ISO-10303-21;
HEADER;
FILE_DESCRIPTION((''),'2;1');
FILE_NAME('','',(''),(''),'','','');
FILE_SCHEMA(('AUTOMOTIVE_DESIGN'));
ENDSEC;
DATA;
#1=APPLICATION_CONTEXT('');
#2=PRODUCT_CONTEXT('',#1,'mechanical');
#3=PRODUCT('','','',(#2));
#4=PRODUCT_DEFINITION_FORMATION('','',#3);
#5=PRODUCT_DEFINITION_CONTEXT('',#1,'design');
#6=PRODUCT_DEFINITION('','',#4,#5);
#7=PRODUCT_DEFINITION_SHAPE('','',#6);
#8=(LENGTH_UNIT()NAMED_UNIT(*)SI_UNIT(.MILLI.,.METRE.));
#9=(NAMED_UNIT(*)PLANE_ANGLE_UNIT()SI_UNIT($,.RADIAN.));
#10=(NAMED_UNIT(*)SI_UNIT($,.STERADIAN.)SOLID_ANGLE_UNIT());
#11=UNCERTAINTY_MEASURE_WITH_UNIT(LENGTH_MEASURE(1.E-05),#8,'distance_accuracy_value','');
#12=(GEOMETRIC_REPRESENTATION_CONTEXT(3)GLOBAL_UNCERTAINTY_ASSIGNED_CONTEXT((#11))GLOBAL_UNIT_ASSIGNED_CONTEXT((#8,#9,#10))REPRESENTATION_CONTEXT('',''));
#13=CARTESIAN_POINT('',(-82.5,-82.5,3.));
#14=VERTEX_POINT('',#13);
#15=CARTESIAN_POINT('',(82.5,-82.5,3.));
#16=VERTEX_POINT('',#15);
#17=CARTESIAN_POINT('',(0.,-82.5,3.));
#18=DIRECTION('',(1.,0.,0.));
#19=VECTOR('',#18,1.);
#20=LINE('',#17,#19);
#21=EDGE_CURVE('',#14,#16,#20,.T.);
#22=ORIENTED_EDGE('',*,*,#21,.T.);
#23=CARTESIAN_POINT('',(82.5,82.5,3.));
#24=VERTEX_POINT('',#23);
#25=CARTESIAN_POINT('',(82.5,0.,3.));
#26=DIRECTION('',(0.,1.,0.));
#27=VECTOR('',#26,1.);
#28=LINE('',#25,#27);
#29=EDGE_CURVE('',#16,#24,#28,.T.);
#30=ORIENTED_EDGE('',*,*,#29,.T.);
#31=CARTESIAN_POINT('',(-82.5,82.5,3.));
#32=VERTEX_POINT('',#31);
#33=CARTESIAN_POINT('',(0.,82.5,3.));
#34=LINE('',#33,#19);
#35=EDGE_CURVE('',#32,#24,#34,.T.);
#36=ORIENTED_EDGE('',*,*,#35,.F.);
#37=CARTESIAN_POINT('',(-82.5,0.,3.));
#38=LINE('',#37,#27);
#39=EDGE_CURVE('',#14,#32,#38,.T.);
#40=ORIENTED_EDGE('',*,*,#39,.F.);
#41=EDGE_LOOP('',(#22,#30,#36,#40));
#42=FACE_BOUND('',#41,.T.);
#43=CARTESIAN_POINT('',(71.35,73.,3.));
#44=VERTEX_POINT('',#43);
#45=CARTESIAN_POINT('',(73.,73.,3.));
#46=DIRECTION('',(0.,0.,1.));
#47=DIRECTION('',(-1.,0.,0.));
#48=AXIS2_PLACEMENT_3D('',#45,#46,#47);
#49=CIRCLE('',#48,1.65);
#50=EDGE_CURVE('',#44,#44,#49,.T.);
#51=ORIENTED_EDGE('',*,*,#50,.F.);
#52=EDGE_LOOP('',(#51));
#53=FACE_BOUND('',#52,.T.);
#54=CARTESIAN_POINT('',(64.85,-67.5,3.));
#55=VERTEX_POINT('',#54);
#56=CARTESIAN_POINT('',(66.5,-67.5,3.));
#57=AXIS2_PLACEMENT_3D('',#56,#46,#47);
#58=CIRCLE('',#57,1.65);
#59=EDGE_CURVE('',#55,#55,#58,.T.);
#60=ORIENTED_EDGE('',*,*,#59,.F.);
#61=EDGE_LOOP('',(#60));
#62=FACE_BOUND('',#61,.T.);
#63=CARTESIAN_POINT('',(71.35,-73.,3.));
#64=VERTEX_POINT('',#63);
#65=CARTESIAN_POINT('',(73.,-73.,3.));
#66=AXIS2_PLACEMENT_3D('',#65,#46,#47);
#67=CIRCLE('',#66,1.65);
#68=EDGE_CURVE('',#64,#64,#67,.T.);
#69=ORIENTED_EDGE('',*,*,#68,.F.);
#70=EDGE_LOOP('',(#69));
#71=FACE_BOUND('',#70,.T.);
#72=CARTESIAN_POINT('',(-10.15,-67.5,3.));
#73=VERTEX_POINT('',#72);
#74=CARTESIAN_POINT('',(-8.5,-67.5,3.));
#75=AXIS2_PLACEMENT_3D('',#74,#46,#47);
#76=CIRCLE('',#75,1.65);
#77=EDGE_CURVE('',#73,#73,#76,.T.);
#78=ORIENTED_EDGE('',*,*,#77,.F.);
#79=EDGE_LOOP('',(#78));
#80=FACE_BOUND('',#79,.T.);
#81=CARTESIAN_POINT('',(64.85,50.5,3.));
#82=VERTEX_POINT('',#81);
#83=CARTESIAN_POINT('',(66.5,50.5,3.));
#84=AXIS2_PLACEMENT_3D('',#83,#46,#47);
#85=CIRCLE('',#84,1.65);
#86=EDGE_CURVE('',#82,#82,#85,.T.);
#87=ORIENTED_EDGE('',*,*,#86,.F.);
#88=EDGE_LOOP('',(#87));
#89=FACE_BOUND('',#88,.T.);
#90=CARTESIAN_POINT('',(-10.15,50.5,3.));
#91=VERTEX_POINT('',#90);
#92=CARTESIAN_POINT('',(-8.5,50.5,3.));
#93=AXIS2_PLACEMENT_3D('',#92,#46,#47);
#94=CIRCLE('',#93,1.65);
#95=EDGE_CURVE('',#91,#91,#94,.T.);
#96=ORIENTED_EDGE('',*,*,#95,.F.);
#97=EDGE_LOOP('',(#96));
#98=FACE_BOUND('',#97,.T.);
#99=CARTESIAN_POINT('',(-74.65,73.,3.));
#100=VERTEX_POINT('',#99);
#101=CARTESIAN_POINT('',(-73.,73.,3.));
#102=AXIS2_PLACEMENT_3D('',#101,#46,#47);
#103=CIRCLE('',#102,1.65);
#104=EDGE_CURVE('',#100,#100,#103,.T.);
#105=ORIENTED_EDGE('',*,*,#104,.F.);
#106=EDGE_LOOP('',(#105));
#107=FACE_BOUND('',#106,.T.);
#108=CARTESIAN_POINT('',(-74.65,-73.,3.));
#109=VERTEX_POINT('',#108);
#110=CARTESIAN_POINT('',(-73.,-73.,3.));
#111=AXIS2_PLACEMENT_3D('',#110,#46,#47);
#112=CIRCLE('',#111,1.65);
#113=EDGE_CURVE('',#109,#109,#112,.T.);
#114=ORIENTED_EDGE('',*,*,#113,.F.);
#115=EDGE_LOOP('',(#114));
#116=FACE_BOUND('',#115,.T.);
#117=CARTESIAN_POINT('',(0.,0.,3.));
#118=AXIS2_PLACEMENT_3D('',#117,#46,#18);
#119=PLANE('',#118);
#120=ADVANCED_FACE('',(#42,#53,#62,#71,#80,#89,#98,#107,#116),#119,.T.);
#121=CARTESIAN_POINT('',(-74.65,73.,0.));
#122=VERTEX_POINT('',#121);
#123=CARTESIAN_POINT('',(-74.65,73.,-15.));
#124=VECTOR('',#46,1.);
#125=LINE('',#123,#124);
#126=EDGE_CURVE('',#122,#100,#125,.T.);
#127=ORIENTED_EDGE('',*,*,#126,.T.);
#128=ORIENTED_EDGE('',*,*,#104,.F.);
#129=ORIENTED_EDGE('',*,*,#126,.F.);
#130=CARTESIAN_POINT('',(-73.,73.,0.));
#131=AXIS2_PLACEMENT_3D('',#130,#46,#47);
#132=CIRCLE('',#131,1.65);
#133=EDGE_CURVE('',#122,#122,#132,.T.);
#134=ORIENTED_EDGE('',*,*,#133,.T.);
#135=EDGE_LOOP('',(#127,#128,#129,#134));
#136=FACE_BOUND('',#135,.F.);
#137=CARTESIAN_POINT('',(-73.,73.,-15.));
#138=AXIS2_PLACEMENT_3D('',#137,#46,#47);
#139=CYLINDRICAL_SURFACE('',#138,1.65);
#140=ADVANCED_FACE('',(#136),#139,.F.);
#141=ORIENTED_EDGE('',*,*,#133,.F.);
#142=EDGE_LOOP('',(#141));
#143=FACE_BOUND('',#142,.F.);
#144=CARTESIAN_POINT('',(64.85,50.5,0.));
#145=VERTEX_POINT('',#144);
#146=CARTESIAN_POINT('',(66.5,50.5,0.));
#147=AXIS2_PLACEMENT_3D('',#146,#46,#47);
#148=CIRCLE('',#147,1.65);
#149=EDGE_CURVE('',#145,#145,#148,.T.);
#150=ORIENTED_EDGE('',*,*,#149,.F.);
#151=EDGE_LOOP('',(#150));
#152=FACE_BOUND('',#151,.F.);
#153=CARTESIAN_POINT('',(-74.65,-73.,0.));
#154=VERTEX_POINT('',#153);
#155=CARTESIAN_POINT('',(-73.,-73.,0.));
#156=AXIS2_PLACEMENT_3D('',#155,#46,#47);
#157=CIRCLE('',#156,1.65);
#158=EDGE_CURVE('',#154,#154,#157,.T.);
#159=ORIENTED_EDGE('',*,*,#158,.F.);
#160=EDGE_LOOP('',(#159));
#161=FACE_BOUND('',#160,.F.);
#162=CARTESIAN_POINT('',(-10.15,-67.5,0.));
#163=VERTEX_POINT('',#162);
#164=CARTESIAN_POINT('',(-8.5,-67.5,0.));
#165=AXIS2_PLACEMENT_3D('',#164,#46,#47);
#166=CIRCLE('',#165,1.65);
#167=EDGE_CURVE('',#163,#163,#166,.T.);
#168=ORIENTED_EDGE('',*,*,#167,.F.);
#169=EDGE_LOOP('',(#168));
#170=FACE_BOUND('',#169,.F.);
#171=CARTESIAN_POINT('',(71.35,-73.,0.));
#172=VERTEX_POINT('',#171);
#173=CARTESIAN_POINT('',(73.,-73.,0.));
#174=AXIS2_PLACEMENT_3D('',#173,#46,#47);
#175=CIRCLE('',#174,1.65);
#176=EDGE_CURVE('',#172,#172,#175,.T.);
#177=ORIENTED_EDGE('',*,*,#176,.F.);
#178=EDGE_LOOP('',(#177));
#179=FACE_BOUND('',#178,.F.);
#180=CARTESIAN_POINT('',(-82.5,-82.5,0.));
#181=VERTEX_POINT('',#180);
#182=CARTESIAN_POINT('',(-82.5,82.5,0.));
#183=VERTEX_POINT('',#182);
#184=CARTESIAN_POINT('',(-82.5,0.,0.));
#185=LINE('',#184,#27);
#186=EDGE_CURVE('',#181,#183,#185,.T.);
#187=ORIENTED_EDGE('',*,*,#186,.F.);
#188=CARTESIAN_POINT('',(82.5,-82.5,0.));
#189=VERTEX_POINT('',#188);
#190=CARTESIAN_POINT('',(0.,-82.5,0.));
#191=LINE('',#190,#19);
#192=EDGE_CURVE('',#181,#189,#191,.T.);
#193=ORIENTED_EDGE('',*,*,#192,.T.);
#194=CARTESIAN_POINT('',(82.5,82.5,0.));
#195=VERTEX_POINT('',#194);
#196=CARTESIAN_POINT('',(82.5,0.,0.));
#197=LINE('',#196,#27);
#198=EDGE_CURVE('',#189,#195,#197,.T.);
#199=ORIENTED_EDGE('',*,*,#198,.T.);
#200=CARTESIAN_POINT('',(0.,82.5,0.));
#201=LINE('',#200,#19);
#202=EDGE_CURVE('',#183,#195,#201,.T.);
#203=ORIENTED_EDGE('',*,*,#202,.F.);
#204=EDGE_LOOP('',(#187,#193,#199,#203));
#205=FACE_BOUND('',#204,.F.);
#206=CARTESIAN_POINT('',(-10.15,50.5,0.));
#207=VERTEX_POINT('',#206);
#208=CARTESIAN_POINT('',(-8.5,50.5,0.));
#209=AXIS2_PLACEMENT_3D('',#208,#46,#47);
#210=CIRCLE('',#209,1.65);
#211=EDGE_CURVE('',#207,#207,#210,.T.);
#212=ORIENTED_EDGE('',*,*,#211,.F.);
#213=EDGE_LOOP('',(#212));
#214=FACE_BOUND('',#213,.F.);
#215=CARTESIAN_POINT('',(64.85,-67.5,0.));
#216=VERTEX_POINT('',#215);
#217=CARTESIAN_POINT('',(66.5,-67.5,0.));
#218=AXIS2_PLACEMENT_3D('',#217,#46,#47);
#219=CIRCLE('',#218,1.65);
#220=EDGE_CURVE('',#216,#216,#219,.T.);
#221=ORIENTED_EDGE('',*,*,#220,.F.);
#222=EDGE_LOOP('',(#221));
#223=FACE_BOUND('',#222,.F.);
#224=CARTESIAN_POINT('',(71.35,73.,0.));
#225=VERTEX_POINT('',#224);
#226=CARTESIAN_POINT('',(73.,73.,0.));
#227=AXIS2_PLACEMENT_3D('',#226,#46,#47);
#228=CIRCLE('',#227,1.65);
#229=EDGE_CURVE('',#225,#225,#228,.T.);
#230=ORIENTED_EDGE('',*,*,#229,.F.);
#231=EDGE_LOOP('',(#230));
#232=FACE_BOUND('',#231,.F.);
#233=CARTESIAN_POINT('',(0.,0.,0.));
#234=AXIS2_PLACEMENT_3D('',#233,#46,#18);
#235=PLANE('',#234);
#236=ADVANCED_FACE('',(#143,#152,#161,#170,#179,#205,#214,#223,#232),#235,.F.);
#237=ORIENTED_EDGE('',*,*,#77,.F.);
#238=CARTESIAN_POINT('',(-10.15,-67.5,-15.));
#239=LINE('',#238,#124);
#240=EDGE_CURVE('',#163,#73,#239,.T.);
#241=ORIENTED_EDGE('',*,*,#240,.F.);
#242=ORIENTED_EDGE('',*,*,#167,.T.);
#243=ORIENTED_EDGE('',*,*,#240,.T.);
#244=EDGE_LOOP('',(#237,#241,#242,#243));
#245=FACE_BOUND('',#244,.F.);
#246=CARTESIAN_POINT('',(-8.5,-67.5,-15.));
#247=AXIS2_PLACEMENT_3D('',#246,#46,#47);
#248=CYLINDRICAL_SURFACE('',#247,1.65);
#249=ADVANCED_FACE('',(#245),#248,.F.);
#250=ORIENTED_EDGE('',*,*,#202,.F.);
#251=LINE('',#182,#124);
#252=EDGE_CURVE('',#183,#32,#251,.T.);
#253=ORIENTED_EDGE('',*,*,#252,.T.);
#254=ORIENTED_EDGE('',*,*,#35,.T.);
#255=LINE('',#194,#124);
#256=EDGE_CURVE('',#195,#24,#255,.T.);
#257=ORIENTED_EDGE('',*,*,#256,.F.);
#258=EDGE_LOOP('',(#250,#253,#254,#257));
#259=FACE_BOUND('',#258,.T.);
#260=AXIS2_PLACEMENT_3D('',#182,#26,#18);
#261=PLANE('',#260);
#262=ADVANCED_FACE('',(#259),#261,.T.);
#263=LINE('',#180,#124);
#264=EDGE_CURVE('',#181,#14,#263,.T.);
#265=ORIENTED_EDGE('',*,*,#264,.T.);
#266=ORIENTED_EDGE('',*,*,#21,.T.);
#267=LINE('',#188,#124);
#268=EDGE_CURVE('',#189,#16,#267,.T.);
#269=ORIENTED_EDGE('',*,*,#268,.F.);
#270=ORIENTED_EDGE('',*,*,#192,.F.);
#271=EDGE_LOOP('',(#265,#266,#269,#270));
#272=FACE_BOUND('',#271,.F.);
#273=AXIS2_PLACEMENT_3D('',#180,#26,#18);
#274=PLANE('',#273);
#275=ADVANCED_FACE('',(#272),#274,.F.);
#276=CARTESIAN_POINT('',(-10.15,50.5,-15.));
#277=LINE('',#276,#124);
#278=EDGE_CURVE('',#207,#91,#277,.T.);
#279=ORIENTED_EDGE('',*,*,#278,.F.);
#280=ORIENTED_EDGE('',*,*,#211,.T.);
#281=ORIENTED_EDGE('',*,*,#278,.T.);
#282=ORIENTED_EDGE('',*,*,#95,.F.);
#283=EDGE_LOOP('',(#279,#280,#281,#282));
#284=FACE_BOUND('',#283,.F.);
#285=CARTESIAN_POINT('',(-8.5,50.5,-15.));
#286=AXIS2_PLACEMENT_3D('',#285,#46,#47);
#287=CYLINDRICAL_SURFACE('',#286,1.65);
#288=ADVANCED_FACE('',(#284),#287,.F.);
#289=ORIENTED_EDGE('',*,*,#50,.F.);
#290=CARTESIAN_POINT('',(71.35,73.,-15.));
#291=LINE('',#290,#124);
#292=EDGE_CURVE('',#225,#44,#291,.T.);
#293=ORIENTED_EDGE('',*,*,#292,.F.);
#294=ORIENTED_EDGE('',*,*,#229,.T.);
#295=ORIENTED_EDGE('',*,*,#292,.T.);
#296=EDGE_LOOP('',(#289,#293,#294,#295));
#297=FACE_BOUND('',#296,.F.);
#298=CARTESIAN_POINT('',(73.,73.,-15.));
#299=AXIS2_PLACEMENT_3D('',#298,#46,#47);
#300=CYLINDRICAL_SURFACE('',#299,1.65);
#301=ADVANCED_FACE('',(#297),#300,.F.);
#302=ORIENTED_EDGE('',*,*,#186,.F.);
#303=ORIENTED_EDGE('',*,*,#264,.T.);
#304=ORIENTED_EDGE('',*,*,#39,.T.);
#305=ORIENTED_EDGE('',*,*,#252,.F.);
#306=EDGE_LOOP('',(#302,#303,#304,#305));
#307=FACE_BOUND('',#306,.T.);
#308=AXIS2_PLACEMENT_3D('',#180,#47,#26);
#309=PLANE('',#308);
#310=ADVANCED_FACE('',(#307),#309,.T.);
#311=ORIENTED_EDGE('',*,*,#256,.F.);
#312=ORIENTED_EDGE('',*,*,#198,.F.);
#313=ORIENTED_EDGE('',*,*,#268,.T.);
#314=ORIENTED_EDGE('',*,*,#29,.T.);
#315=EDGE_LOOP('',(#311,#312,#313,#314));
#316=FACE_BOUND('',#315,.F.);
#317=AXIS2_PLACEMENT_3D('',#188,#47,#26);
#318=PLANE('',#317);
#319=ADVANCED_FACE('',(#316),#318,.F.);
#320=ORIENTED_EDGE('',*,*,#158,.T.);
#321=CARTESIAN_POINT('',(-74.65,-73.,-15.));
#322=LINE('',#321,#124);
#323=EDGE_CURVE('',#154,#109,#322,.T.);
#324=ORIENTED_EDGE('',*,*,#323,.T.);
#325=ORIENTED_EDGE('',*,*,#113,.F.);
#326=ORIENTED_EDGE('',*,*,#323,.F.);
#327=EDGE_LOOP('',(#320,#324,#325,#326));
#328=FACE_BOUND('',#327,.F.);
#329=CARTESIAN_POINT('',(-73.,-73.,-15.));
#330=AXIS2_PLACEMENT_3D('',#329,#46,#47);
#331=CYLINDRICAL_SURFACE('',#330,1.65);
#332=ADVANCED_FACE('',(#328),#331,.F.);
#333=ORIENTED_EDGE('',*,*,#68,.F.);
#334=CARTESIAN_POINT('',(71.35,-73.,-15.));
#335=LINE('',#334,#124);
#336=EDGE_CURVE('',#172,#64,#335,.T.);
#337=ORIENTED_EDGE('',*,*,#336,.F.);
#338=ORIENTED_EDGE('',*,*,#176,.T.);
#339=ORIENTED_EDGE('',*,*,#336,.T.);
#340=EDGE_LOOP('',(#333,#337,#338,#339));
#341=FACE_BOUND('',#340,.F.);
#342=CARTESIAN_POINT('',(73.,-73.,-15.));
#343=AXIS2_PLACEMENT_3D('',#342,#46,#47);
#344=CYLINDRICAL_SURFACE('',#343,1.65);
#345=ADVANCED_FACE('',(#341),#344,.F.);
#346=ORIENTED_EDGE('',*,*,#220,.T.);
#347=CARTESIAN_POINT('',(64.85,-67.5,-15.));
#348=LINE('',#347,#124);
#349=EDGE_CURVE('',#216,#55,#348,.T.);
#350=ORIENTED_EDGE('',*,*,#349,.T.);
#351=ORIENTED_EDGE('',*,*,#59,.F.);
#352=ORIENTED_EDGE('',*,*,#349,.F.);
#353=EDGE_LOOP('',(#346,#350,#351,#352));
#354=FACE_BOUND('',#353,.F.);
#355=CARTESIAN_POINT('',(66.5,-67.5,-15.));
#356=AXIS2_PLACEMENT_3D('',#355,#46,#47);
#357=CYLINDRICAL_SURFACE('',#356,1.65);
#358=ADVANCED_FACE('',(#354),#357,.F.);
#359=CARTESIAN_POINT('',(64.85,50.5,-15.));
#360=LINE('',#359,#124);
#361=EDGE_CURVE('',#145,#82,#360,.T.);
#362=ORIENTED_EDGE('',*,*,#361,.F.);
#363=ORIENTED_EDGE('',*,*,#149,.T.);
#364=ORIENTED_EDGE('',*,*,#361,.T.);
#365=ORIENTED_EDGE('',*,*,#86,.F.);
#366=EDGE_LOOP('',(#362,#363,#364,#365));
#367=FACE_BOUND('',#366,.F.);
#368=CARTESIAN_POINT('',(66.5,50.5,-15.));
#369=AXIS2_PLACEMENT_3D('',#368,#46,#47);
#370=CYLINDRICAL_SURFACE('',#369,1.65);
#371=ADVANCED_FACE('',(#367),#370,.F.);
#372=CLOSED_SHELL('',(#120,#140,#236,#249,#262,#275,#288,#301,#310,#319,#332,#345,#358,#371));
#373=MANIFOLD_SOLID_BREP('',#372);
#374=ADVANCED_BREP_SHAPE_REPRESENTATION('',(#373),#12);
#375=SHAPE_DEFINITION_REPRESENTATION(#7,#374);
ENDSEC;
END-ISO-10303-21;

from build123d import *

# Parameters (mm, degrees)
F0_W     = 165
F0_H     = 165
F1_DEPTH = 3
F2_D     = 3.3
F2_DEPTH = 15
F2_TIP   = 0.9914200214


with BuildPart() as f1:
    # F0 (on Top) → F1 (new body)
    with BuildSketch(Plane.XY):
        Rectangle(F0_W, F0_H)
    extrude(amount=F1_DEPTH)

    # F2
    with Locations(Plane(origin=(0, 0, 0), x_dir=(1, 0, 0), z_dir=(0, 0, -1))):
        with Locations((-73, -73), (73, -73), (-8.5, -50.5), (66.5, -50.5), (66.5, 67.5), (-8.5, 67.5), (73, 73), (-73, 73)):
            Hole(F2_D / 2, depth=F2_DEPTH)
            with Locations((0, 0, -(F2_DEPTH + F2_TIP / 2))):  # 118° drill point
                Cone(0, F2_D / 2, F2_TIP, mode=Mode.SUBTRACT)


solid = f1.part
